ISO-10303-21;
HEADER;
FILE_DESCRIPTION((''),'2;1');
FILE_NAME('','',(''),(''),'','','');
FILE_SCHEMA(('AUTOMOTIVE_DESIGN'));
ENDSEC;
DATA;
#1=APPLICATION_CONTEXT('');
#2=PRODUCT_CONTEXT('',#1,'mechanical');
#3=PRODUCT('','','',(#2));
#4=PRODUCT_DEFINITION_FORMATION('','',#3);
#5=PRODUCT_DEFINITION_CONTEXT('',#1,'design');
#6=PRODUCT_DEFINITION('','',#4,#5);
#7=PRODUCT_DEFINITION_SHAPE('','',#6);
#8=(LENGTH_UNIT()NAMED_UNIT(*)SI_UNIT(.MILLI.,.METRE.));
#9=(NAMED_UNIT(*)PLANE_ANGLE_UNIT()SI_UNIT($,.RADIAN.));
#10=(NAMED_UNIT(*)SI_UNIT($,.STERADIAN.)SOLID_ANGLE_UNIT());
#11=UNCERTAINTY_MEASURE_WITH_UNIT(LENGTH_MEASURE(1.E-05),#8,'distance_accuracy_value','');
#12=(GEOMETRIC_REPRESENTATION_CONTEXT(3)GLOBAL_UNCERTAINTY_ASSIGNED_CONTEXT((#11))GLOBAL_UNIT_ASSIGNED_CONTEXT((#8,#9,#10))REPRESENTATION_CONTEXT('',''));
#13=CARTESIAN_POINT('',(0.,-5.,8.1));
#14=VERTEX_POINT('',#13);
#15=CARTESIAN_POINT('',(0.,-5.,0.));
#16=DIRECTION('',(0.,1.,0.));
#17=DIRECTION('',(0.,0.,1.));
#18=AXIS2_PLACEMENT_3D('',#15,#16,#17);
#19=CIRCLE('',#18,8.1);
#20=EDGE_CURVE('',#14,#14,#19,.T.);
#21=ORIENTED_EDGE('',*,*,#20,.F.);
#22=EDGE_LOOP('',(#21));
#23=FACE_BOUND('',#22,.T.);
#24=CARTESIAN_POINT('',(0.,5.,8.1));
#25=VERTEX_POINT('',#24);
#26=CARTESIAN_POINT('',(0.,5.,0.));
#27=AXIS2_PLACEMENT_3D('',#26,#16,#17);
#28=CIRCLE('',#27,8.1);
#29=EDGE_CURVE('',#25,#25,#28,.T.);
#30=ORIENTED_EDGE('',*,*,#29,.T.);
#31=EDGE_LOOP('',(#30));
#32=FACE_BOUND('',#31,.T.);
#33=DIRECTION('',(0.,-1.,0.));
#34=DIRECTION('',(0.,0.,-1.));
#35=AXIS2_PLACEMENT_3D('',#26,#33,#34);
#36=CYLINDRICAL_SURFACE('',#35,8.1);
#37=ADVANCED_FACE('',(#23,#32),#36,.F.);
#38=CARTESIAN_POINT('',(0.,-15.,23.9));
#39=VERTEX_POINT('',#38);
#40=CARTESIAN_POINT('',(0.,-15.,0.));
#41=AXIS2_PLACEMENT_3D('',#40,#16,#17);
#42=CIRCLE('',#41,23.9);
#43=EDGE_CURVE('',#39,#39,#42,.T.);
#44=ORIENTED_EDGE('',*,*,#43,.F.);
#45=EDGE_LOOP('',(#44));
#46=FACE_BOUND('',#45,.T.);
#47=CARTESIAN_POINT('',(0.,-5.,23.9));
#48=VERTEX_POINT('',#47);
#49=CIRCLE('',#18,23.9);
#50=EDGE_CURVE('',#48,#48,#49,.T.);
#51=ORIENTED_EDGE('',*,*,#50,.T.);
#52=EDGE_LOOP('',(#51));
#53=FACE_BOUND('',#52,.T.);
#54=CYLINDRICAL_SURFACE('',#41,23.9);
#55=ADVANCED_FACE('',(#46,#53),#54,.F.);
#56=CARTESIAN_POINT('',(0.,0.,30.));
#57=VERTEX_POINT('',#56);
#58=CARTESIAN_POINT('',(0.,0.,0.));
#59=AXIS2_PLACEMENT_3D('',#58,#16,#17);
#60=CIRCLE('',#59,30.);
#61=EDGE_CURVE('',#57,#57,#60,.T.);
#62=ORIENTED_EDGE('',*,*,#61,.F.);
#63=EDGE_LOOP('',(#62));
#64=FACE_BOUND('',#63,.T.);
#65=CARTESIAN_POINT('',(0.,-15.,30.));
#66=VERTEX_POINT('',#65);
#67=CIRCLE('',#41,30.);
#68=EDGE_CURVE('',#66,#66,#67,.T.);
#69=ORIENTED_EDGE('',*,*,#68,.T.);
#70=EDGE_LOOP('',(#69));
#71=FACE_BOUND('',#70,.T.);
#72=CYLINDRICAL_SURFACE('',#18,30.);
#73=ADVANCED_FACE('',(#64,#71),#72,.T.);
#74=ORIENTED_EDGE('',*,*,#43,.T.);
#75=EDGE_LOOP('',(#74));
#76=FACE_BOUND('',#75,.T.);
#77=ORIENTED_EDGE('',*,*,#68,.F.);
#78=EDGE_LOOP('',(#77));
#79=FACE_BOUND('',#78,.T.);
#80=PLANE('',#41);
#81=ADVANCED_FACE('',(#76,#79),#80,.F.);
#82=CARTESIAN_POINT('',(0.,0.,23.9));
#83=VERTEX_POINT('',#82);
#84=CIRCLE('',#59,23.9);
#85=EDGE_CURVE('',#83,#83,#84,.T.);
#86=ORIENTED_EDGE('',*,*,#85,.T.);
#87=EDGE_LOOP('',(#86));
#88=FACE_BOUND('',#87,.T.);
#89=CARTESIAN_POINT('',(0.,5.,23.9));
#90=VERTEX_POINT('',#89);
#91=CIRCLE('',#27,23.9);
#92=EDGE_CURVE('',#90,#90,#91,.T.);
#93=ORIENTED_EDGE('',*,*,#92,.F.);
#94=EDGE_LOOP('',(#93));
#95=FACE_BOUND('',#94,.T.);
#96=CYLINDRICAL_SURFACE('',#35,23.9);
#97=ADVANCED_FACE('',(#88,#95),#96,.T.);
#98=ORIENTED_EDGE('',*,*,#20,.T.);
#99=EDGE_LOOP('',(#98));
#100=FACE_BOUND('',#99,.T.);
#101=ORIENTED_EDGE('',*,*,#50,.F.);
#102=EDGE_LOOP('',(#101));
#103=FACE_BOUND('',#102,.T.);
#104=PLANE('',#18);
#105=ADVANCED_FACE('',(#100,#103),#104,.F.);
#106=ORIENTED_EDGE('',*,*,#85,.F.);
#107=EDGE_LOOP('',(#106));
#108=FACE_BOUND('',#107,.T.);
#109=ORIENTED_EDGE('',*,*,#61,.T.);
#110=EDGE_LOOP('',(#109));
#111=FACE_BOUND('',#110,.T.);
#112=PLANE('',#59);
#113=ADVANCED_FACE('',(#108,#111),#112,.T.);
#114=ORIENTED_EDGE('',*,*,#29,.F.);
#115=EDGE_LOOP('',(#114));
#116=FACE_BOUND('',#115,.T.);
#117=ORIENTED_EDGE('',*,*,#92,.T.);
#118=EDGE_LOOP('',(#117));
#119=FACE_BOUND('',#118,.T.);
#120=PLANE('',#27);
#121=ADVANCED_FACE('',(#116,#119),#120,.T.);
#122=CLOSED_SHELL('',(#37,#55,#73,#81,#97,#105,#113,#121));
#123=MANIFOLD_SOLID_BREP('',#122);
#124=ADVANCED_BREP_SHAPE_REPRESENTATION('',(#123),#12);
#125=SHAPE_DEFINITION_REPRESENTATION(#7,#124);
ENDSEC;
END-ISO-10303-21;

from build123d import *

# Parameters (mm, degrees)
CROQUIS1_R              = 23.9
CROQUIS1_R_2            = 8.1
SALIENTE_EXTRUIR1_DEPTH = 5
SALIENTE_EXTRUIR2_START = -5
CROQUIS1_3_R            = 30
CROQUIS1_3_R_2          = 8.1
SALIENTE_EXTRUIR2_DEPTH = 5
SALIENTE_EXTRUIR3_START = -15
CROQUIS1_4_R            = 30
CROQUIS1_4_R_2          = 23.9
SALIENTE_EXTRUIR3_DEPTH = 15


with BuildPart() as part:
    # Croquis1 → Saliente-Extruir1 (new body)
    with BuildSketch(Plane(origin=(0, 0, 0), x_dir=(1, 0, 0), z_dir=(0, 1, 0))):
        Circle(CROQUIS1_R)
        Circle(CROQUIS1_R_2, mode=Mode.SUBTRACT)
    extrude(amount=SALIENTE_EXTRUIR1_DEPTH)

    # Croquis1<3> → Saliente-Extruir2 (add)
    with BuildSketch(Plane(origin=(0, 0, 0), x_dir=(1, 0, 0), z_dir=(0, 1, 0)).offset(SALIENTE_EXTRUIR2_START)):
        Circle(CROQUIS1_3_R)
        Circle(CROQUIS1_3_R_2, mode=Mode.SUBTRACT)
    extrude(amount=SALIENTE_EXTRUIR2_DEPTH)

    # Croquis1<4> → Saliente-Extruir3 (add)
    with BuildSketch(Plane(origin=(0, 0, 0), x_dir=(1, 0, 0), z_dir=(0, 1, 0)).offset(SALIENTE_EXTRUIR3_START)):
        Circle(CROQUIS1_4_R)
        Circle(CROQUIS1_4_R_2, mode=Mode.SUBTRACT)
    extrude(amount=SALIENTE_EXTRUIR3_DEPTH)


solid = part.part
